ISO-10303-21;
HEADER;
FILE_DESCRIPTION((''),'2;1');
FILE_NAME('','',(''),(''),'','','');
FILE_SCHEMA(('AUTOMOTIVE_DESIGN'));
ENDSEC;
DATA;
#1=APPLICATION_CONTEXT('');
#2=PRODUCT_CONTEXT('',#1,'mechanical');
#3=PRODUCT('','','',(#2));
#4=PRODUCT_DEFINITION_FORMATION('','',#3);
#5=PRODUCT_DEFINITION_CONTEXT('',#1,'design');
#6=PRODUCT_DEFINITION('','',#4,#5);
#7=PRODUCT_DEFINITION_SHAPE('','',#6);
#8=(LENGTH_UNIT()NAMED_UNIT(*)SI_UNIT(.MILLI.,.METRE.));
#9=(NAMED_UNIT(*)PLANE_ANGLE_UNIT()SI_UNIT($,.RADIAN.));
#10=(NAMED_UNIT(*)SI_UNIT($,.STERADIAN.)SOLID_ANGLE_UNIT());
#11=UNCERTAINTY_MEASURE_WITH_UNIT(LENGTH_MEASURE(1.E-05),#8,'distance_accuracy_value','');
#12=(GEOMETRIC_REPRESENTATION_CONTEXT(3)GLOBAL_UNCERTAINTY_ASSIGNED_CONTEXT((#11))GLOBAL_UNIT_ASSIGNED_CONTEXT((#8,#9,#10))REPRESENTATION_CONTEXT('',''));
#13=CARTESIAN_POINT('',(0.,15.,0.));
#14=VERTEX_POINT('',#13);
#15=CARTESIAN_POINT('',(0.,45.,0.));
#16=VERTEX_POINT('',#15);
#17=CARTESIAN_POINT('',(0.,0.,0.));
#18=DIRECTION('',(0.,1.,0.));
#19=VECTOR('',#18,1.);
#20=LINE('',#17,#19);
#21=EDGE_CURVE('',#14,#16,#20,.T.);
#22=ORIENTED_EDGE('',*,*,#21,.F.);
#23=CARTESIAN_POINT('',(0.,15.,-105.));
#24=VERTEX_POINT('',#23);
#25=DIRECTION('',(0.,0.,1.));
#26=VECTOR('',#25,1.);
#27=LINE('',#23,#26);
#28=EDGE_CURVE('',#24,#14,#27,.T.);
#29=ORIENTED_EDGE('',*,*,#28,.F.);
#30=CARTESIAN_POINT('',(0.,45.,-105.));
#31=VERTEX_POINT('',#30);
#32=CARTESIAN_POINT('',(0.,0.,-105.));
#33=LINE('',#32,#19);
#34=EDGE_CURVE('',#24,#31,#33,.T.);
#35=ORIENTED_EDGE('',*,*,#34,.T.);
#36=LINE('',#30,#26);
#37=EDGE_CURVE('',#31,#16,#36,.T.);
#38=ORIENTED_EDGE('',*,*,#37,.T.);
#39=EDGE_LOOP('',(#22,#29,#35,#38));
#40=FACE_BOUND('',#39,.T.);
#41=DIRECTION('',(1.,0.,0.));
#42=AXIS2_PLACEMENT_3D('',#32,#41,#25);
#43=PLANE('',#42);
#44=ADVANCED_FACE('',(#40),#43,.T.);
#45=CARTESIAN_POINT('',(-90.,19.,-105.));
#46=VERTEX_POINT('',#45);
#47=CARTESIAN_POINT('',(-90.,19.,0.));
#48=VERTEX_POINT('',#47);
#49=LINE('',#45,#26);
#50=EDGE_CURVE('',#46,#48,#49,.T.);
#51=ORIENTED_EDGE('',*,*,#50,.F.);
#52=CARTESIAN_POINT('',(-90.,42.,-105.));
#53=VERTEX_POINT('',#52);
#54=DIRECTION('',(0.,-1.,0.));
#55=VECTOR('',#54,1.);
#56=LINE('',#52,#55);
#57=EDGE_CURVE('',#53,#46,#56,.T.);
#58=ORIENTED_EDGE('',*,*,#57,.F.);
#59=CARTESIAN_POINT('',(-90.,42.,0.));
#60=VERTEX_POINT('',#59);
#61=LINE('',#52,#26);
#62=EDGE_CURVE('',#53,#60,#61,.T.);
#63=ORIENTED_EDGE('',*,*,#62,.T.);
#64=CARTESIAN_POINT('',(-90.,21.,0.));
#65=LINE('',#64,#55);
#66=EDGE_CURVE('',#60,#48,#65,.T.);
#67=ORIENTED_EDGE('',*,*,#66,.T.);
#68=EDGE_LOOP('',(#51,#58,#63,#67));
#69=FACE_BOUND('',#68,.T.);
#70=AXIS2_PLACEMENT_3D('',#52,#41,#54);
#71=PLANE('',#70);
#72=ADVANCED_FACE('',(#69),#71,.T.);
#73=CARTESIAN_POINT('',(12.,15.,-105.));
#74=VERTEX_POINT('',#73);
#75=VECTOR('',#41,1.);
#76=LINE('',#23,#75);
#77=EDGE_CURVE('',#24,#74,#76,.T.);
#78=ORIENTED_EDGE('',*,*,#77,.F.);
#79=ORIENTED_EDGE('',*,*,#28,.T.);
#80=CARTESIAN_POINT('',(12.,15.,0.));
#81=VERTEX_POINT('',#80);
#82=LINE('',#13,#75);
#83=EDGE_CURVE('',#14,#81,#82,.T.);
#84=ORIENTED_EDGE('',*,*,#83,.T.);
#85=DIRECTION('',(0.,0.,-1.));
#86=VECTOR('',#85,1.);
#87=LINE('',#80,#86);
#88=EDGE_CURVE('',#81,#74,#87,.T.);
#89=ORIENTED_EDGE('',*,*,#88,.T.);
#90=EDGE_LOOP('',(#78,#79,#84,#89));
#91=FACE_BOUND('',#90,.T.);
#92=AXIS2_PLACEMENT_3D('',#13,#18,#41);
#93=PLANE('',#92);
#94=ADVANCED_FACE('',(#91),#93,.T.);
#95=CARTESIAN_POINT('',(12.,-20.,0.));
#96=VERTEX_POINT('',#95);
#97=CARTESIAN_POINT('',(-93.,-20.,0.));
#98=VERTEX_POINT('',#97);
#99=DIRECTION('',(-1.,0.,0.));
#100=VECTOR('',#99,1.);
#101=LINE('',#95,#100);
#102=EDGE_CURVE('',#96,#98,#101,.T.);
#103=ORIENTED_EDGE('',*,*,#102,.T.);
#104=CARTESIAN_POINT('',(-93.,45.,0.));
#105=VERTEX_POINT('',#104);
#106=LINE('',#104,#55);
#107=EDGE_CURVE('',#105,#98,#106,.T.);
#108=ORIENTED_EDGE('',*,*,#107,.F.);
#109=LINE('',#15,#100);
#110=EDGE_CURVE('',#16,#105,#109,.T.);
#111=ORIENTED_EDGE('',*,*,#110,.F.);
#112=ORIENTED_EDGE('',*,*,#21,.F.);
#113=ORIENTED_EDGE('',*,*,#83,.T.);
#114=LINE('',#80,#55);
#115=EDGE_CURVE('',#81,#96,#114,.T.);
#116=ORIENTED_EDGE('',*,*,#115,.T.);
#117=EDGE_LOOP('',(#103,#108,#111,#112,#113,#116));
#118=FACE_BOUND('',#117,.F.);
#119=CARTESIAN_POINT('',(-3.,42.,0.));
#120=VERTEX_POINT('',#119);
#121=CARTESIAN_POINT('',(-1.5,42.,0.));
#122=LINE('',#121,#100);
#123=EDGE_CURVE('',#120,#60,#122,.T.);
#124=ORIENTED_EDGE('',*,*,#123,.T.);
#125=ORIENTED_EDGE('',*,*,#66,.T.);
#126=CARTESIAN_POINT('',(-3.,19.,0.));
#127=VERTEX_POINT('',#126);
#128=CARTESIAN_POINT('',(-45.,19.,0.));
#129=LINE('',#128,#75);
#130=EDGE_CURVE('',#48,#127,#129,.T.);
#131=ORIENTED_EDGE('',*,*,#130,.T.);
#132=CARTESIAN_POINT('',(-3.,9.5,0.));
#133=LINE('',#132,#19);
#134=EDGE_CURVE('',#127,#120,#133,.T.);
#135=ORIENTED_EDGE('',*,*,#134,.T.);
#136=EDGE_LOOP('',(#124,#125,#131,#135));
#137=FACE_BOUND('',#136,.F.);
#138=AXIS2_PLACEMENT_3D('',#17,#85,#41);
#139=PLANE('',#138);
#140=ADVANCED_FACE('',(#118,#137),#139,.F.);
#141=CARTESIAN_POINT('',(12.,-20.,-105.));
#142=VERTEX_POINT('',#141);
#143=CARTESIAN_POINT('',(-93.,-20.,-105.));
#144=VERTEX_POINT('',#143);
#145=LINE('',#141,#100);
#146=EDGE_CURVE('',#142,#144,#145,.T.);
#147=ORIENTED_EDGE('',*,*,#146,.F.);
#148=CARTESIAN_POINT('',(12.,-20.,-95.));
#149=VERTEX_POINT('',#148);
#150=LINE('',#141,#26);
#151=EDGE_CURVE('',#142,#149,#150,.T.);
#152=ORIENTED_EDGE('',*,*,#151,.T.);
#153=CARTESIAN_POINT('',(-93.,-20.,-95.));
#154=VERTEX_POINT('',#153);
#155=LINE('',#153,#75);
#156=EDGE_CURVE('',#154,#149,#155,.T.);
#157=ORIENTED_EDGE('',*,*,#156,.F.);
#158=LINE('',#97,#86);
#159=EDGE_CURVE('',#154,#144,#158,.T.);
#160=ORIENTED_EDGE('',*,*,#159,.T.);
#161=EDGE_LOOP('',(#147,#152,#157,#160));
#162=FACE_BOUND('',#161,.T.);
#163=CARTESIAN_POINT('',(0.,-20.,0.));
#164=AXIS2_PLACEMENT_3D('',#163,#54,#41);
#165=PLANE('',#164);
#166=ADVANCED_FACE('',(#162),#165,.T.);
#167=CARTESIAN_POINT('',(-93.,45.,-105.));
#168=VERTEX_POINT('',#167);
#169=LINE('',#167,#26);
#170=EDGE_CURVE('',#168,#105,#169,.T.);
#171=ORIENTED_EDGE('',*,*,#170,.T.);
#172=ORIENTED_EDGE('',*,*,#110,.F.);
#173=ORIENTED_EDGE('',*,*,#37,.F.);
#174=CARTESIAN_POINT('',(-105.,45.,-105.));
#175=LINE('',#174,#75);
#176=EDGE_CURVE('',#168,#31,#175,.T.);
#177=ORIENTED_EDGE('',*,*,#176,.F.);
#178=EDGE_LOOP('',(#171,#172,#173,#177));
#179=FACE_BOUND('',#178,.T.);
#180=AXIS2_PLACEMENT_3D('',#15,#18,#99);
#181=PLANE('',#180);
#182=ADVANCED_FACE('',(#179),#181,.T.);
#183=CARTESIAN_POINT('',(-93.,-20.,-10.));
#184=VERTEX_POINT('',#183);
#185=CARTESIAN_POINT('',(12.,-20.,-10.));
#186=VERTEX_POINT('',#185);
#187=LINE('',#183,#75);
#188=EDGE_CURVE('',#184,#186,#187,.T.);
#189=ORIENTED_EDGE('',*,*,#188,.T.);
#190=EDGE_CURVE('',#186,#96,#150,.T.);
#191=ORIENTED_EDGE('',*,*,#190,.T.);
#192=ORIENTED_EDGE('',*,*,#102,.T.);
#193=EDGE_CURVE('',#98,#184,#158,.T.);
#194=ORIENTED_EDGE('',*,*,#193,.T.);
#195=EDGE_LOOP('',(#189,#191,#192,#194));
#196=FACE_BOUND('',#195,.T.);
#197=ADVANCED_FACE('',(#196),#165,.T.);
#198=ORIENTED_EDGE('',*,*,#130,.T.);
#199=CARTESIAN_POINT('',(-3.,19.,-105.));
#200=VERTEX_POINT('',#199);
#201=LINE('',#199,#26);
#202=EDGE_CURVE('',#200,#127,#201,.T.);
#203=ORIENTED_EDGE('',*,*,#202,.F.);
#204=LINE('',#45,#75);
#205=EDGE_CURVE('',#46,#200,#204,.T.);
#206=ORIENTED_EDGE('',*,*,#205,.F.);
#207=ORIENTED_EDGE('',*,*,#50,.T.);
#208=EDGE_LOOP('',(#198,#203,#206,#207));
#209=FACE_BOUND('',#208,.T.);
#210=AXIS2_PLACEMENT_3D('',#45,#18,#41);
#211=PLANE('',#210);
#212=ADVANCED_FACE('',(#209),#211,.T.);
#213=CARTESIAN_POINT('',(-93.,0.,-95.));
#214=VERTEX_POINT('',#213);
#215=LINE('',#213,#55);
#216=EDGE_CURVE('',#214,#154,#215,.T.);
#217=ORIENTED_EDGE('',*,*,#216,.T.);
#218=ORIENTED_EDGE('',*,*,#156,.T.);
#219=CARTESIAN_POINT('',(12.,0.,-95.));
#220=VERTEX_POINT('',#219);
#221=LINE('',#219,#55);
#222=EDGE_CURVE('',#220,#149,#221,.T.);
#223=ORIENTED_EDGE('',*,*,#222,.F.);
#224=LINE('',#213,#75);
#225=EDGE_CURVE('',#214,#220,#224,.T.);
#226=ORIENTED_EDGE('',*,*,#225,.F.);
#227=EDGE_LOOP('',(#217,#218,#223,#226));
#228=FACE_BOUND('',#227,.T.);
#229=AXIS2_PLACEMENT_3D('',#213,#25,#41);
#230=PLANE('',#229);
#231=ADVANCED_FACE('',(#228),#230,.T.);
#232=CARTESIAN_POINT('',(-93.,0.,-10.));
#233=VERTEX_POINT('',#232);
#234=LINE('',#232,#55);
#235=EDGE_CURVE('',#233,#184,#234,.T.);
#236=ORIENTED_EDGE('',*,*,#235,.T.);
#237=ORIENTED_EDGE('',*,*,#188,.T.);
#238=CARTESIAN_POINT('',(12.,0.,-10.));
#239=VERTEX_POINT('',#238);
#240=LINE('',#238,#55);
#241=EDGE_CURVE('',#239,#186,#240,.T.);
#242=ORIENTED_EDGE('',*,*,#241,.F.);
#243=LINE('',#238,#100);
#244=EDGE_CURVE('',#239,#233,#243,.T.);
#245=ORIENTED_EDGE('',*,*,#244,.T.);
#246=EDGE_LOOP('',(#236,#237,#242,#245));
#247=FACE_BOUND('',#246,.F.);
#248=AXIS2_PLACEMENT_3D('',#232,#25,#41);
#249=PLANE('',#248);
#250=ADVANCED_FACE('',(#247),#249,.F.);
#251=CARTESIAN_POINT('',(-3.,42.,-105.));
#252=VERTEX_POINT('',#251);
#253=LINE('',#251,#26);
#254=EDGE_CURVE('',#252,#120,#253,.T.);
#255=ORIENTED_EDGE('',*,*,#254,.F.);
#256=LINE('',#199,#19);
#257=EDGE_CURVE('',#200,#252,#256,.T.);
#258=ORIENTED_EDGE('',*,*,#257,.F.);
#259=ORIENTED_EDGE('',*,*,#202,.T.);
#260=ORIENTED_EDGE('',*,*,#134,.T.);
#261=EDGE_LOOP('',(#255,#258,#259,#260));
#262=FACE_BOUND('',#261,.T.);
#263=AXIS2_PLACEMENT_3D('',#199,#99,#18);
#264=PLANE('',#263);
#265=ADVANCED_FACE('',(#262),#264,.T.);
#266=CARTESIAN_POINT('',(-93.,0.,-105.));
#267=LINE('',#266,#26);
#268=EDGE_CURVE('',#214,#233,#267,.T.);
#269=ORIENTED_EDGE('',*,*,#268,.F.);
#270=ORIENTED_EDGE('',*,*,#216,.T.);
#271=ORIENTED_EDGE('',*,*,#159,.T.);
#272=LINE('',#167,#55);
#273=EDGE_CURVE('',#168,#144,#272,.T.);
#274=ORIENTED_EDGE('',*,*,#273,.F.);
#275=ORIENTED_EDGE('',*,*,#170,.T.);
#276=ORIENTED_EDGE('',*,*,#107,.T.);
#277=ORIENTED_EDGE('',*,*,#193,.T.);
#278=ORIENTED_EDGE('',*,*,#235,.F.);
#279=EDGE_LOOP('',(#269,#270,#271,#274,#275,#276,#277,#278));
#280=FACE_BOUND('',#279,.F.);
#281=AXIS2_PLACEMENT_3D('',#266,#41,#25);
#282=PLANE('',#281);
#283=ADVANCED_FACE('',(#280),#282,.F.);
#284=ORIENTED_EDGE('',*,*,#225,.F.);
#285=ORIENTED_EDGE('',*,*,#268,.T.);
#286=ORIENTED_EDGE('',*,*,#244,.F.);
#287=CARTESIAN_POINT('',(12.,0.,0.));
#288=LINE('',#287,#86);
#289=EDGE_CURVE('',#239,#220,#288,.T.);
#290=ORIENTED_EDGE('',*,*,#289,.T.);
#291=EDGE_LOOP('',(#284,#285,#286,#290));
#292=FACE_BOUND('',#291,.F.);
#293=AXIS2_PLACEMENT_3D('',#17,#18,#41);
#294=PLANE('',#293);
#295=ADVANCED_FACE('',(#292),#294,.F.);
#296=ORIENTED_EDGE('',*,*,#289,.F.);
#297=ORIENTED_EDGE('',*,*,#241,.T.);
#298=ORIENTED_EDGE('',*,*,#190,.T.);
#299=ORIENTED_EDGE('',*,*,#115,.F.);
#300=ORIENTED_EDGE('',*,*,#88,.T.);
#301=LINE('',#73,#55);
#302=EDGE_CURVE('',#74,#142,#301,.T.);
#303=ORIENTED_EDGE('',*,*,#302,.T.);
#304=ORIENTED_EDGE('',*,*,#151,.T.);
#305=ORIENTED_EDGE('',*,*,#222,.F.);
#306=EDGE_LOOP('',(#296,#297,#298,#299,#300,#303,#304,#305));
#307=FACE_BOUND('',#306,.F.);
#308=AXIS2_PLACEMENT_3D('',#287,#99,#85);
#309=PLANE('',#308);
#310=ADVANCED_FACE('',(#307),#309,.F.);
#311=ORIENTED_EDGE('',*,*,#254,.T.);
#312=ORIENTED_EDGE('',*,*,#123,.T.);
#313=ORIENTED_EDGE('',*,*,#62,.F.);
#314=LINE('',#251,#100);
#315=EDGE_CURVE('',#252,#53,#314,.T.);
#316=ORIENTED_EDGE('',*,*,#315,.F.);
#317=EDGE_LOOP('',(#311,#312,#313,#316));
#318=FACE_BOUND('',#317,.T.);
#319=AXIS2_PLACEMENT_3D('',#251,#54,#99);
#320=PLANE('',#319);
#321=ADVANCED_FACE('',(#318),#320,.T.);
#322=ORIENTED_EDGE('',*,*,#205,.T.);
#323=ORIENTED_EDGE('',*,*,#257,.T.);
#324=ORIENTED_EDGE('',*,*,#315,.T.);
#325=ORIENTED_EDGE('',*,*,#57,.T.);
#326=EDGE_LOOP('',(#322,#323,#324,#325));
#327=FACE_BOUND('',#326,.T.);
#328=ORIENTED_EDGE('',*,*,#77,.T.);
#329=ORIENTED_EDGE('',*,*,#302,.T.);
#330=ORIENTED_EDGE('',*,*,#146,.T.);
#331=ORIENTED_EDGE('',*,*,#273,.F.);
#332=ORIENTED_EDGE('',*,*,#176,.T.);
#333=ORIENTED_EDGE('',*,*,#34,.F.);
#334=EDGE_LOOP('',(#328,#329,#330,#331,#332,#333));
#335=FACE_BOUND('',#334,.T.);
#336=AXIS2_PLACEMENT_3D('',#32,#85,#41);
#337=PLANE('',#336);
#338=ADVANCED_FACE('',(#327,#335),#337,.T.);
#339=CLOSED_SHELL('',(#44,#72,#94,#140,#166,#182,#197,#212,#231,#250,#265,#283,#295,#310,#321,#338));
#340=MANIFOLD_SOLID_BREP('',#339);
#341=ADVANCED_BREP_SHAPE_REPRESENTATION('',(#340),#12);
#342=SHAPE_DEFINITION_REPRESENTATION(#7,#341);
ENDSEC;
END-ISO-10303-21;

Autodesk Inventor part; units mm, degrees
ref_plane "YZ Plane" through (0, 0, 0) normal (1, 0, 0) x (0, 1, 0)
ref_plane "XZ Plane" through (0, 0, 0) normal (0, 1, 0) x (-1, 0, 0)
ref_plane "XY Plane" through (0, 0, 0) normal (0, 0, 1) x (1, 0, 0)
sketch "Skizze1" plane through (0, 0, 0) normal (0, 1, 0) x (-1, 0, 0)
  line L0 (0, 0) -> (105, 0)
  line L1 (105, 0) -> (105, -105)
  line L2 (105, -105) -> (0, -105)
  line L3 (0, -105) -> (0, 0)
  line L4 (0, -105) -> (93, -105)
  line L5 (93, -105) -> (93, 0)
  line L6 (93, 0) -> (0, 0)
  line L7 (0, 0) -> (0, -105)
  dimension "d0" = 105
  dimension "d1" = 105
  dimension "d2" = 93
extrude "Extrusion1" add sketch "Skizze1" along normal blind 45 contours L0 L5 L2 L3
sketch "Skizze2" plane through (0, 0, 0) normal (0, -1, 0) x (1, 0, 0)
  line L0 (0, -105) -> (-93, -105) projected
  line L1 (-93, -105) -> (12, -105)
  line L2 (12, -105) -> (12, 0)
  line L3 (12, 0) -> (-93, 0)
  line L4 (-93, 0) -> (-93, -105)
  line L5 (-93, -105) -> (-93, 0) projected
  line L6 (12, -105) -> (-93, -105)
  line L7 (-93, -105) -> (-93, -95)
  line L8 (-93, -95) -> (12, -95)
  line L9 (12, -95) -> (12, -105)
  line L10 (12, 0) -> (-93, 0)
  line L11 (-93, 0) -> (-93, -10)
  line L12 (-93, -10) -> (12, -10)
  line L13 (12, -10) -> (12, 0)
  point P0 (0, 0)
  point P1 (12, -10)
  point P2 (12, -95)
  dimension "d5" = 105
  dimension "d6" = 10
  dimension "d7" = 10
extrude "Extrusion2" add sketch "Skizze2" along normal blind 20 contours L0 L4 L8 L2 L1 | L4 L3 L2 L12
sketch "Skizze3" plane through (0, 0, 0) normal (0, 1, 0) x (1, 0, 0)
  line L0 (-93, 0) -> (0, 0) projected
  line L1 (0, 105) -> (12, 105) projected
  line L2 (0, 0) -> (12, 0)
  line L3 (12, 0) -> (12, 105)
  line L4 (12, 105) -> (0, 105)
  line L5 (0, 105) -> (0, 0)
extrude "Extrusion3" add sketch "Skizze3" along normal blind 15
sketch "Skizze4" plane through (0, 45, -105) normal (0, 0, -1) x (-1, 0, 0)
  line L0 (93, -65) -> (93, 0) projected
  line L1 (0, 0) -> (93, 0) projected
  line L2 (0, -30) -> (0, 0) projected
  line L3 (-12, -30) -> (0, -30) projected
  line L4 (-12, -30) -> (-12, -65) projected
  line L5 (93, -65) -> (-12, -65) projected
  line L6 (3, -3) -> (90, -3)
  line L7 (90, -3) -> (90, -26)
  line L8 (90, -26) -> (3, -26)
  line L9 (3, -26) -> (3, -3)
  point P0 (0, -45)
  point P1 (46.5, -3)
  point P2 (46.5, 0)
  dimension "d12" = 3
  dimension "d13" = 3
  dimension "d14" = 23
extrude "Extrusion4" cut sketch "Skizze4" against normal through all contours L6 L7 L8 L9
equation "\"d0\" = base_breite"
equation "\"d1\" = base_tiefe"
equation "\"d2\" = koerper_breite"
equation "\"d3\" = hoehe - fuss_höhe"
equation "\"d5\" = base_breite"
equation "\"d6\" = fuss_breite"
equation "\"d7\" = fuss_breite"
equation "\"d8\" = fuss_höhe"
equation "\"d10\" = PCI_hoehe"
equation "\"d12\" = koerper_wandstaerke"
equation "\"d13\" = koerper_wandstaerke"
equation "\"d14\" = kuehlöffnung"
equation "\"base_breite\" = 105"
equation "\"base_tiefe\" = 105"
equation "\"fuss_breite\" = 10"
equation "\"koerper_breite\" = 93"
equation "\"koerper_tiefe\" = 105"
equation "\"fuss_höhe\" = 20"
equation "\"hoehe\" = 65"
equation "\"PCI_hoehe\" = 15"
equation "\"koerper_wandstaerke\" = 3"
equation "\"kuehlöffnung\" = 23"
properties part number "jetson_dummy"
